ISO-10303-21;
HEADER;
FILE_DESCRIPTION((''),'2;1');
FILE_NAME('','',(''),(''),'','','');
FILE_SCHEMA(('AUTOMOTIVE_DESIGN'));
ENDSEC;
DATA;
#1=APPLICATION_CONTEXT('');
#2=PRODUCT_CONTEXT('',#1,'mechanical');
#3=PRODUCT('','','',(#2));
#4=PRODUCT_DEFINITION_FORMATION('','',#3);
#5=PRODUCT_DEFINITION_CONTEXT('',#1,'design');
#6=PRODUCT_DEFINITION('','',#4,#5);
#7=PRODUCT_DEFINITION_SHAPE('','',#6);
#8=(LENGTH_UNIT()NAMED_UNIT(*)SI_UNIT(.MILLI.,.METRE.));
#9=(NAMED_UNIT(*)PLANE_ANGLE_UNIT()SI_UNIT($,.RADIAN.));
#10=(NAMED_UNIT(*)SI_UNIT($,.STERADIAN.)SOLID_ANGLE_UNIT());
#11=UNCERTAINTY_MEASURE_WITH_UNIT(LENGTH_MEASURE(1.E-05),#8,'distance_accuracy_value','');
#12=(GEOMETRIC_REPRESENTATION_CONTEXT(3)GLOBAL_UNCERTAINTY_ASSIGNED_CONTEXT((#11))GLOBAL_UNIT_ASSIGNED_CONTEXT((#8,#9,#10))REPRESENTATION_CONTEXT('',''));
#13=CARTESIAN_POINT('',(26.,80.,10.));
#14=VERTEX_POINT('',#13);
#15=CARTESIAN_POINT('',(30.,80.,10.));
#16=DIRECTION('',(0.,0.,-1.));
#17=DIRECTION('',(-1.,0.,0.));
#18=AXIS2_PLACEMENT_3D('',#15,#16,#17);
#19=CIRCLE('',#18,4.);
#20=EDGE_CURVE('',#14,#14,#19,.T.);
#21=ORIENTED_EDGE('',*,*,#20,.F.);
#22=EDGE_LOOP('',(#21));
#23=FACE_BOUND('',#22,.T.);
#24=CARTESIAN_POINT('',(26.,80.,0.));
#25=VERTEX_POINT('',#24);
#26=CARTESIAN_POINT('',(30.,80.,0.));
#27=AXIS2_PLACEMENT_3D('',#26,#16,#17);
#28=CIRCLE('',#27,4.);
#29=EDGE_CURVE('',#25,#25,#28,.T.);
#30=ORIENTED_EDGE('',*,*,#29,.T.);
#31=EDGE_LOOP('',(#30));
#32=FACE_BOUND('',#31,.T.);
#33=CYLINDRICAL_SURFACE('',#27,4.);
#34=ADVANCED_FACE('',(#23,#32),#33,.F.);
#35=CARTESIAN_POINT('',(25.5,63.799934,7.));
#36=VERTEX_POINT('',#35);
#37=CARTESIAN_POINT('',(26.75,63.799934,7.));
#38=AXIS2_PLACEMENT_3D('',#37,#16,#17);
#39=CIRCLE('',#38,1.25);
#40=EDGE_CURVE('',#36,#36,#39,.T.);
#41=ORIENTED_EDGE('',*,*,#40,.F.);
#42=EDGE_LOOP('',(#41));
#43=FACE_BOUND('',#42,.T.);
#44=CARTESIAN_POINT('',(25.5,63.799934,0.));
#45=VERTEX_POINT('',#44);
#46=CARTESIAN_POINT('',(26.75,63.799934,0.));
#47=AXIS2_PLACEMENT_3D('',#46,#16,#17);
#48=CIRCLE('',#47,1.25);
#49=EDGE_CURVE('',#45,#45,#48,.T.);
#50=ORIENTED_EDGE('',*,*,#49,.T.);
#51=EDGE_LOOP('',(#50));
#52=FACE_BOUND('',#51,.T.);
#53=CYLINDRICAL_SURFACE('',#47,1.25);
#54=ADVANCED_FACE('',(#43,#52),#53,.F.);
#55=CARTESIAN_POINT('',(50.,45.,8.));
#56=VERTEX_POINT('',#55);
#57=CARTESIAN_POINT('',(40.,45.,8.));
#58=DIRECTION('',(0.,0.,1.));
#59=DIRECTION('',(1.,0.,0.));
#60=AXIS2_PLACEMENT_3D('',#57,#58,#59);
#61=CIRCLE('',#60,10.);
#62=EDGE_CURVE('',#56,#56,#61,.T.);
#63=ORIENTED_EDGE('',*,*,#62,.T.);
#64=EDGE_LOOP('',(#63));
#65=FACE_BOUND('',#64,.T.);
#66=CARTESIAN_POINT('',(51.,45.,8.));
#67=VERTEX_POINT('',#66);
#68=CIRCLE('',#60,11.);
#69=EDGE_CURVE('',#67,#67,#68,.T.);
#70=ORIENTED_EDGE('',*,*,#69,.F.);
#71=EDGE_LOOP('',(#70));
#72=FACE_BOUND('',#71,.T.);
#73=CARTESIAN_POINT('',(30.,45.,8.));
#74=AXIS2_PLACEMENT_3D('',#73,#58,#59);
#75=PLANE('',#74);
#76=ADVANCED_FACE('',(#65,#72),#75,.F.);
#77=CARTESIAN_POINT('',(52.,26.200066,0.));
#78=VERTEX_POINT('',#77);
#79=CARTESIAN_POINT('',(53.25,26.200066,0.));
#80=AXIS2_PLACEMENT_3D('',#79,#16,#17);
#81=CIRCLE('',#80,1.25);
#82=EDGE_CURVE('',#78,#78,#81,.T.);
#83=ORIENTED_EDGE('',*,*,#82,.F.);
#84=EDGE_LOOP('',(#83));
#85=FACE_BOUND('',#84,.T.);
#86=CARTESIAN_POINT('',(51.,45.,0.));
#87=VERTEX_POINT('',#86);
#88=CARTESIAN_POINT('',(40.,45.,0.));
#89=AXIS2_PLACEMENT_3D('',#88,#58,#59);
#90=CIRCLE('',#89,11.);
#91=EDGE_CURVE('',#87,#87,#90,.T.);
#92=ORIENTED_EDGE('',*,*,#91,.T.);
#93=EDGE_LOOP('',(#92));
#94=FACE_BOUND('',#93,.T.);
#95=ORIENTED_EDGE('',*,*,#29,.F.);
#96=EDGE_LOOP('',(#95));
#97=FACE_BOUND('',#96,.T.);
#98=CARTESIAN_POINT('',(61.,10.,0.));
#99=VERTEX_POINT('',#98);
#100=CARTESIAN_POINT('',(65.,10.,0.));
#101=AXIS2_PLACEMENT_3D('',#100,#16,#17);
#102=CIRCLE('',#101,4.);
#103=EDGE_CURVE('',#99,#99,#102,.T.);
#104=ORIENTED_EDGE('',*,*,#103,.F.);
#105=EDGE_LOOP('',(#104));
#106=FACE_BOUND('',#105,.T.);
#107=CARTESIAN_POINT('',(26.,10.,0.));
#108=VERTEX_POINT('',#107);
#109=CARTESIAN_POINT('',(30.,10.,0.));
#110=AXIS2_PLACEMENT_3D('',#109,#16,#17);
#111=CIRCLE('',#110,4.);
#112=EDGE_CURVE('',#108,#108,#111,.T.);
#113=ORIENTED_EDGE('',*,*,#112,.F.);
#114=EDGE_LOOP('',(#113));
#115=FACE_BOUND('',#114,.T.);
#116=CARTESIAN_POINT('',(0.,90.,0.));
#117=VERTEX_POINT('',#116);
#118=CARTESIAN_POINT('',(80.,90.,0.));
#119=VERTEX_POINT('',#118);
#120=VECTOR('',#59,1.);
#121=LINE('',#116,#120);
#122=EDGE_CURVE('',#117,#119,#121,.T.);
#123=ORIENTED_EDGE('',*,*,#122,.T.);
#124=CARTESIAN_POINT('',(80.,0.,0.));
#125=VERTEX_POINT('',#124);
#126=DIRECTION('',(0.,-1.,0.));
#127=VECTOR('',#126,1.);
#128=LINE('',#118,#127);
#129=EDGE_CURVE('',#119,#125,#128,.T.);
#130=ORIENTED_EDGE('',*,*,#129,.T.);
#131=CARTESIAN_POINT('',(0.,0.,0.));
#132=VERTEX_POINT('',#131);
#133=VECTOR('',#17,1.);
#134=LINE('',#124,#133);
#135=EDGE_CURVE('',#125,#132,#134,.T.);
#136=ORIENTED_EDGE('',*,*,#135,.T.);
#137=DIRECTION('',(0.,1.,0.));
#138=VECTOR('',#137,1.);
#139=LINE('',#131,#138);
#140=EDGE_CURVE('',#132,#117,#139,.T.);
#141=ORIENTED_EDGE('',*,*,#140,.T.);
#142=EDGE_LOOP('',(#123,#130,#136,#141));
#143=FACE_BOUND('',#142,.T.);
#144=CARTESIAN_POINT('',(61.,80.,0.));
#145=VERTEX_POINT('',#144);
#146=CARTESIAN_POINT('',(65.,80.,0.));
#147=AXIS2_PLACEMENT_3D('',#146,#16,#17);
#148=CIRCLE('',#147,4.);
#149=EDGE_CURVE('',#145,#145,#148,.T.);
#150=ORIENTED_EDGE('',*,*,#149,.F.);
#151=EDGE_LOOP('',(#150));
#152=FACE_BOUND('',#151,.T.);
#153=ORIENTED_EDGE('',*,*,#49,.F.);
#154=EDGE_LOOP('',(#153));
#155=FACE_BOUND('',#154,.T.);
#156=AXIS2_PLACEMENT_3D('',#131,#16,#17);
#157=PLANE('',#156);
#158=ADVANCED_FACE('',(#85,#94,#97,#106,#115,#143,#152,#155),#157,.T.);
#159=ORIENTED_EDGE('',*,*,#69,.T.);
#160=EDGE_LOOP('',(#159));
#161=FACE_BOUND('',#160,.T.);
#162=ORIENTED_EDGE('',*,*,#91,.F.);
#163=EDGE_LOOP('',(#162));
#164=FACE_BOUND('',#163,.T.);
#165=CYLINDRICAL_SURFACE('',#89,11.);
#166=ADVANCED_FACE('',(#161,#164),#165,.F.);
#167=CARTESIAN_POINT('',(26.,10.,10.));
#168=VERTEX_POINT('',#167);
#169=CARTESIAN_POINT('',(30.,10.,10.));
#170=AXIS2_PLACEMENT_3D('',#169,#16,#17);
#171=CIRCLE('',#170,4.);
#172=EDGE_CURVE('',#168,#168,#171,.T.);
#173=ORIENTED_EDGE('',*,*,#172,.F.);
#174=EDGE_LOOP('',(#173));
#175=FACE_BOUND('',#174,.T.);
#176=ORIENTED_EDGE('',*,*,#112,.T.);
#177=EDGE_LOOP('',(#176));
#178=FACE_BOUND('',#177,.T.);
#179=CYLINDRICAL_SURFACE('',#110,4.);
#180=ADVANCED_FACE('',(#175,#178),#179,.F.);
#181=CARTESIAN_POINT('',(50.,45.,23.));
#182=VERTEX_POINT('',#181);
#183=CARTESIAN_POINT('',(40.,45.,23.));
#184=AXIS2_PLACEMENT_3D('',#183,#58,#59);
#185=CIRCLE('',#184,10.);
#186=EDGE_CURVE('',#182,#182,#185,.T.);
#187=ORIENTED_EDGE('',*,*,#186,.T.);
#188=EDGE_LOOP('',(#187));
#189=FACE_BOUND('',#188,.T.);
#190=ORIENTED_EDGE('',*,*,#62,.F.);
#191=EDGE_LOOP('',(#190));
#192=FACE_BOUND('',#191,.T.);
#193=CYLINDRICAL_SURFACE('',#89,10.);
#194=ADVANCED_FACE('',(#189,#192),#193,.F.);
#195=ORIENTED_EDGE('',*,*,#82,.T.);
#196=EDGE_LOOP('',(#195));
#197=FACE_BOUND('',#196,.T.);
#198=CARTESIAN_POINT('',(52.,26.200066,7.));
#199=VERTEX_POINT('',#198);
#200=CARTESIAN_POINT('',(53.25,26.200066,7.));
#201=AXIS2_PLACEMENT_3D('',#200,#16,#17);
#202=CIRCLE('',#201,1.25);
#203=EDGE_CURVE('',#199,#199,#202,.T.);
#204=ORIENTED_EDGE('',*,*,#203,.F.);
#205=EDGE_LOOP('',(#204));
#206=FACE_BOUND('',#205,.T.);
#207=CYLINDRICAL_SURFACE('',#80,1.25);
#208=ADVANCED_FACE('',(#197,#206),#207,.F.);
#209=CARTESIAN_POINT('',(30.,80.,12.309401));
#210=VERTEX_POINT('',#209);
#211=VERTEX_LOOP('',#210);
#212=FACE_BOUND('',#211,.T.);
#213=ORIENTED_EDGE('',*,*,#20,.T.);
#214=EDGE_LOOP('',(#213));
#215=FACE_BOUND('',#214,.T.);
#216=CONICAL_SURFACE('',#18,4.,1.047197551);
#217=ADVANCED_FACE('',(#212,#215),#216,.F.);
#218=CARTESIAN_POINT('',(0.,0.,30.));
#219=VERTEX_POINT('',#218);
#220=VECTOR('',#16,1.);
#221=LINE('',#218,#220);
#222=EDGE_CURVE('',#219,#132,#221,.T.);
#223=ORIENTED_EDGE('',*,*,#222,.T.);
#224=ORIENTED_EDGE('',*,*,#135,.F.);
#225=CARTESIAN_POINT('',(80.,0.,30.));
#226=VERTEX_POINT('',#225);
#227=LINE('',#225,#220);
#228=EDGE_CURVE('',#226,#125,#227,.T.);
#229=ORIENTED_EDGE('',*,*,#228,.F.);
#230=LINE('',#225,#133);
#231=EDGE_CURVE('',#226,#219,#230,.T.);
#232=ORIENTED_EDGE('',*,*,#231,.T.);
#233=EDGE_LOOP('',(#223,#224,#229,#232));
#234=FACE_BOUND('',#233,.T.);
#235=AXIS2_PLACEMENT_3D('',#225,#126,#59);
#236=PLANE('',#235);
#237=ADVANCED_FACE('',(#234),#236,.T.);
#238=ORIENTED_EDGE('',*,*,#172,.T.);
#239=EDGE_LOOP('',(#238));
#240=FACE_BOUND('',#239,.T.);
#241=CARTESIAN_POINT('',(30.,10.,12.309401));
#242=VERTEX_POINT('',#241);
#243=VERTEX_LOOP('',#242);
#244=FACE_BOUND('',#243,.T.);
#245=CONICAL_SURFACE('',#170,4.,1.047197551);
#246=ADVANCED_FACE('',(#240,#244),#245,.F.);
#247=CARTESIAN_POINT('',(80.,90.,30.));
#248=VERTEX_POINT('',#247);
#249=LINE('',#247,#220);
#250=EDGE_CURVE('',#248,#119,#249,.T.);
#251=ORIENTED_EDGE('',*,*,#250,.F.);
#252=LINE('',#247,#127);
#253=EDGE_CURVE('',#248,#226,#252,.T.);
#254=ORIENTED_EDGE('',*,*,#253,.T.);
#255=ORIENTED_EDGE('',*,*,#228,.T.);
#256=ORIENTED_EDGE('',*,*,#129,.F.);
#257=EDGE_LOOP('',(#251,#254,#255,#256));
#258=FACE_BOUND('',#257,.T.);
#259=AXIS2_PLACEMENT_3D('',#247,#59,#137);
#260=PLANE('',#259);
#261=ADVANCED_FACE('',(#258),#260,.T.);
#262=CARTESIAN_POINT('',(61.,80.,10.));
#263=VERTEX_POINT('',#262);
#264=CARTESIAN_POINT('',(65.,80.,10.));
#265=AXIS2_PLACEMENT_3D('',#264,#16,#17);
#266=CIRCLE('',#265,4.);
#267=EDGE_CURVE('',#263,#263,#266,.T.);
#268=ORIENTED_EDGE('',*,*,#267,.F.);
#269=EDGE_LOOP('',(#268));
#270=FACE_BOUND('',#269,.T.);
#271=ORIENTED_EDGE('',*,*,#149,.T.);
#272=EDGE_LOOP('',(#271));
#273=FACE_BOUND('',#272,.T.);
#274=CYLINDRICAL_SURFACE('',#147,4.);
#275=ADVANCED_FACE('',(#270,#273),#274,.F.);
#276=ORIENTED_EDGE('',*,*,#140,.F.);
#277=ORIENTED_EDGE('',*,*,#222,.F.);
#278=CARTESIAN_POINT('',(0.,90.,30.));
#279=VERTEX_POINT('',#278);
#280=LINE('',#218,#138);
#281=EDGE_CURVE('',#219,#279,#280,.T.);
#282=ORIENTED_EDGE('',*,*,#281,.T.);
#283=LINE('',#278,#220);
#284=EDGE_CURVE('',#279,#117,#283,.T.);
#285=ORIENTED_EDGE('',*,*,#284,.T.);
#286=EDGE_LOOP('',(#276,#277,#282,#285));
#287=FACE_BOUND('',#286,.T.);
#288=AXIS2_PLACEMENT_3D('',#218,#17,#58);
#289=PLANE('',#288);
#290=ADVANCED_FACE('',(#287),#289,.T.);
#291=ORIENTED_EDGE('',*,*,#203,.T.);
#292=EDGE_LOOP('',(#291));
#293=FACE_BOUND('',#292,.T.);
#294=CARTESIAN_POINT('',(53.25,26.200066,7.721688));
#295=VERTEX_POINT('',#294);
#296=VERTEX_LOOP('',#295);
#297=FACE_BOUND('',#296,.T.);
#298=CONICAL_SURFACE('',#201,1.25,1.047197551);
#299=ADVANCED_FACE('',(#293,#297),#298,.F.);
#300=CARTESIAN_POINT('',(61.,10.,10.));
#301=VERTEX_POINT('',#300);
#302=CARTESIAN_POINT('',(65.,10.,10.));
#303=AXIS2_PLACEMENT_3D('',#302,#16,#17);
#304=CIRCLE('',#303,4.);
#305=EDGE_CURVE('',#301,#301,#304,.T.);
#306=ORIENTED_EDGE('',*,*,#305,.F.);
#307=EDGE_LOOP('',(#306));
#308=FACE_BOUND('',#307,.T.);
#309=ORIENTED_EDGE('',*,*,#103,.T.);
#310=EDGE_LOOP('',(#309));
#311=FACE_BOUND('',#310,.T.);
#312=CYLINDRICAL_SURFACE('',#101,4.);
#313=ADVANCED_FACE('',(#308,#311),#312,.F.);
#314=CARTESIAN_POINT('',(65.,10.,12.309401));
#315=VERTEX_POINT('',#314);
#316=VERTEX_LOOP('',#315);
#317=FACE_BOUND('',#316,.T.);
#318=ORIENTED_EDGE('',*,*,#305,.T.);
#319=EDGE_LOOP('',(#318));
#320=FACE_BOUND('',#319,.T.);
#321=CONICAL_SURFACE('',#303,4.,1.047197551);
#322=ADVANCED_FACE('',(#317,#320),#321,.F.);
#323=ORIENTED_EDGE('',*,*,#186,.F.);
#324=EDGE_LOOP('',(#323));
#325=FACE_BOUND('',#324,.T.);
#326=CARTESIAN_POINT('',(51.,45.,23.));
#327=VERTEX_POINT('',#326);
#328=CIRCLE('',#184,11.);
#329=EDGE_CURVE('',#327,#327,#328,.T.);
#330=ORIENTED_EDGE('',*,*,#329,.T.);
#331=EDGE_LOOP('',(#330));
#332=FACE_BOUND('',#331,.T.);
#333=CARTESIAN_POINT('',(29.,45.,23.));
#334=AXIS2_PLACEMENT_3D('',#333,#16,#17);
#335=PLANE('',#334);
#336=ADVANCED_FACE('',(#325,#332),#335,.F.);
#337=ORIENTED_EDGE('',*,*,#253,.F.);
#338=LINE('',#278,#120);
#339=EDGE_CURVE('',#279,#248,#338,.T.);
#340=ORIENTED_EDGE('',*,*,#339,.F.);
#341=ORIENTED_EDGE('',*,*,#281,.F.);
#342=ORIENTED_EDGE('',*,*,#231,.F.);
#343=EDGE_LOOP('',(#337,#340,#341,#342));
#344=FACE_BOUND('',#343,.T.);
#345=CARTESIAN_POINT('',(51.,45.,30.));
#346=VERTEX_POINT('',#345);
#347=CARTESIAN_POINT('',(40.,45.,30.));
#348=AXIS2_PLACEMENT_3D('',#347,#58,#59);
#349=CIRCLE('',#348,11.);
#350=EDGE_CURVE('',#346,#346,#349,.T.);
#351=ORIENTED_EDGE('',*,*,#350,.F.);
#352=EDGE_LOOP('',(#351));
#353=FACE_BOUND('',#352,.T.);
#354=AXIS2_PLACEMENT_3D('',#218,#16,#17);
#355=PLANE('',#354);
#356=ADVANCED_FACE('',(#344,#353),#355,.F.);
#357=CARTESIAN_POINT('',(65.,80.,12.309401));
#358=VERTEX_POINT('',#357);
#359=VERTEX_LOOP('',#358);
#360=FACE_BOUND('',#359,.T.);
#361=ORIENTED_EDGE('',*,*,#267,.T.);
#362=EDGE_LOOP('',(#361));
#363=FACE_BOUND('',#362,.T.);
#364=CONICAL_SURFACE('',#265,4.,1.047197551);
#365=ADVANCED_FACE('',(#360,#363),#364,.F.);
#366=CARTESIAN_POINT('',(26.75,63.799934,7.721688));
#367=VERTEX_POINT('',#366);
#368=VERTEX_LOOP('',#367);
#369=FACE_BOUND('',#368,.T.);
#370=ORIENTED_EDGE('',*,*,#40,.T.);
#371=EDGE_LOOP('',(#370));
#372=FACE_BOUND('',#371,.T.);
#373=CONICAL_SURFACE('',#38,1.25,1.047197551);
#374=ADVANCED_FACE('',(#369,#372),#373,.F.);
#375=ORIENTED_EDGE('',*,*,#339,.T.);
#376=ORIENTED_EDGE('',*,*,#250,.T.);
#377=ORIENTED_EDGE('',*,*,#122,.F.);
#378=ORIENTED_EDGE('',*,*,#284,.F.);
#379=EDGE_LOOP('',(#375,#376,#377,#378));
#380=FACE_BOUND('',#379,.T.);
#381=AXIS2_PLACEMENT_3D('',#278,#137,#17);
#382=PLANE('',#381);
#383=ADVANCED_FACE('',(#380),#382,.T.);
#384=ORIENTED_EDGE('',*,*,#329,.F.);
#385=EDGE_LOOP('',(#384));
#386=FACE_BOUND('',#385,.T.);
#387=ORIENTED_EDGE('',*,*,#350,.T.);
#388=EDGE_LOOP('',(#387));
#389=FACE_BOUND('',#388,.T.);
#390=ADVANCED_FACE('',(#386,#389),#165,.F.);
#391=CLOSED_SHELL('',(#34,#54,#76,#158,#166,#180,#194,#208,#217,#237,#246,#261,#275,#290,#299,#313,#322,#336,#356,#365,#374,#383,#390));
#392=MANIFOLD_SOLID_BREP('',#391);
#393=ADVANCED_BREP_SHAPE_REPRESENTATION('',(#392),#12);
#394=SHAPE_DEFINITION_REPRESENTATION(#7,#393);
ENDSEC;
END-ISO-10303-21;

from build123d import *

# Parameters (mm, degrees)
SKETCH1_W                      = 80
SKETCH1_H                      = 90
BOSS_EXTRUDE1_DEPTH            = 30
F_2_5_2_5_DIAMETER_HOLE1_D     = 2.5
F_2_5_2_5_DIAMETER_HOLE1_DEPTH = 7
F_2_5_2_5_DIAMETER_HOLE1_TIP   = 0.721687836
F_8_0_8_DIAMETER_HOLE1_D       = 8
F_8_0_8_DIAMETER_HOLE1_DEPTH   = 10
F_8_0_8_DIAMETER_HOLE1_TIP     = 2.309401077


with BuildPart() as part:
    # Sketch1 → Boss-Extrude1 (new body)
    with BuildSketch(Plane(origin=(0, 0, 0), x_dir=(-1, 0, 0), z_dir=(0, 0, -1))):
        with Locations((-40, 45)):
            Rectangle(SKETCH1_W, SKETCH1_H)
    extrude(amount=-BOSS_EXTRUDE1_DEPTH)

    # Sketch2 → Cut-Revolve1 (revolve, cut)
    with BuildSketch(Plane(origin=(0, 45, 0), x_dir=(-1, 0, 0), z_dir=(0, -1, 0)), mode=Mode.PRIVATE) as cut_revolve1_sk:
        Polygon((-29, 0), (-40, 0), (-40, -30), (-29, -30), (-29, -23), (-30, -23), (-30, -8), (-29, -8), align=None)
    revolve(cut_revolve1_sk.sketch.rotate(Axis((40, 45, 0), (0, 0, 1)), 180), axis=Axis((40, 45, 0), (0, 0, 1)), mode=Mode.SUBTRACT)

    # Ø2.5 (2.5) Diameter Hole1
    with Locations(Plane(origin=(0, 0, 0), x_dir=(-1, 0, 0), z_dir=(0, 0, -1))):
        with Locations((-26.75, 63.799933511), (-53.25, 26.200066489)):
            Hole(F_2_5_2_5_DIAMETER_HOLE1_D / 2, depth=F_2_5_2_5_DIAMETER_HOLE1_DEPTH)
            with Locations((0, 0, -(F_2_5_2_5_DIAMETER_HOLE1_DEPTH + F_2_5_2_5_DIAMETER_HOLE1_TIP / 2))):  # 120° drill point
                Cone(0, F_2_5_2_5_DIAMETER_HOLE1_D / 2, F_2_5_2_5_DIAMETER_HOLE1_TIP, mode=Mode.SUBTRACT)

    # Ø8.0 (8) Diameter Hole1
    with Locations(Plane(origin=(0, 0, 0), x_dir=(-1, 0, 0), z_dir=(0, 0, -1))):
        with Locations((-30, 10), (-30, 80), (-65, 10), (-65, 80)):
            Hole(F_8_0_8_DIAMETER_HOLE1_D / 2, depth=F_8_0_8_DIAMETER_HOLE1_DEPTH)
            with Locations((0, 0, -(F_8_0_8_DIAMETER_HOLE1_DEPTH + F_8_0_8_DIAMETER_HOLE1_TIP / 2))):  # 120° drill point
                Cone(0, F_8_0_8_DIAMETER_HOLE1_D / 2, F_8_0_8_DIAMETER_HOLE1_TIP, mode=Mode.SUBTRACT)


solid = part.part
